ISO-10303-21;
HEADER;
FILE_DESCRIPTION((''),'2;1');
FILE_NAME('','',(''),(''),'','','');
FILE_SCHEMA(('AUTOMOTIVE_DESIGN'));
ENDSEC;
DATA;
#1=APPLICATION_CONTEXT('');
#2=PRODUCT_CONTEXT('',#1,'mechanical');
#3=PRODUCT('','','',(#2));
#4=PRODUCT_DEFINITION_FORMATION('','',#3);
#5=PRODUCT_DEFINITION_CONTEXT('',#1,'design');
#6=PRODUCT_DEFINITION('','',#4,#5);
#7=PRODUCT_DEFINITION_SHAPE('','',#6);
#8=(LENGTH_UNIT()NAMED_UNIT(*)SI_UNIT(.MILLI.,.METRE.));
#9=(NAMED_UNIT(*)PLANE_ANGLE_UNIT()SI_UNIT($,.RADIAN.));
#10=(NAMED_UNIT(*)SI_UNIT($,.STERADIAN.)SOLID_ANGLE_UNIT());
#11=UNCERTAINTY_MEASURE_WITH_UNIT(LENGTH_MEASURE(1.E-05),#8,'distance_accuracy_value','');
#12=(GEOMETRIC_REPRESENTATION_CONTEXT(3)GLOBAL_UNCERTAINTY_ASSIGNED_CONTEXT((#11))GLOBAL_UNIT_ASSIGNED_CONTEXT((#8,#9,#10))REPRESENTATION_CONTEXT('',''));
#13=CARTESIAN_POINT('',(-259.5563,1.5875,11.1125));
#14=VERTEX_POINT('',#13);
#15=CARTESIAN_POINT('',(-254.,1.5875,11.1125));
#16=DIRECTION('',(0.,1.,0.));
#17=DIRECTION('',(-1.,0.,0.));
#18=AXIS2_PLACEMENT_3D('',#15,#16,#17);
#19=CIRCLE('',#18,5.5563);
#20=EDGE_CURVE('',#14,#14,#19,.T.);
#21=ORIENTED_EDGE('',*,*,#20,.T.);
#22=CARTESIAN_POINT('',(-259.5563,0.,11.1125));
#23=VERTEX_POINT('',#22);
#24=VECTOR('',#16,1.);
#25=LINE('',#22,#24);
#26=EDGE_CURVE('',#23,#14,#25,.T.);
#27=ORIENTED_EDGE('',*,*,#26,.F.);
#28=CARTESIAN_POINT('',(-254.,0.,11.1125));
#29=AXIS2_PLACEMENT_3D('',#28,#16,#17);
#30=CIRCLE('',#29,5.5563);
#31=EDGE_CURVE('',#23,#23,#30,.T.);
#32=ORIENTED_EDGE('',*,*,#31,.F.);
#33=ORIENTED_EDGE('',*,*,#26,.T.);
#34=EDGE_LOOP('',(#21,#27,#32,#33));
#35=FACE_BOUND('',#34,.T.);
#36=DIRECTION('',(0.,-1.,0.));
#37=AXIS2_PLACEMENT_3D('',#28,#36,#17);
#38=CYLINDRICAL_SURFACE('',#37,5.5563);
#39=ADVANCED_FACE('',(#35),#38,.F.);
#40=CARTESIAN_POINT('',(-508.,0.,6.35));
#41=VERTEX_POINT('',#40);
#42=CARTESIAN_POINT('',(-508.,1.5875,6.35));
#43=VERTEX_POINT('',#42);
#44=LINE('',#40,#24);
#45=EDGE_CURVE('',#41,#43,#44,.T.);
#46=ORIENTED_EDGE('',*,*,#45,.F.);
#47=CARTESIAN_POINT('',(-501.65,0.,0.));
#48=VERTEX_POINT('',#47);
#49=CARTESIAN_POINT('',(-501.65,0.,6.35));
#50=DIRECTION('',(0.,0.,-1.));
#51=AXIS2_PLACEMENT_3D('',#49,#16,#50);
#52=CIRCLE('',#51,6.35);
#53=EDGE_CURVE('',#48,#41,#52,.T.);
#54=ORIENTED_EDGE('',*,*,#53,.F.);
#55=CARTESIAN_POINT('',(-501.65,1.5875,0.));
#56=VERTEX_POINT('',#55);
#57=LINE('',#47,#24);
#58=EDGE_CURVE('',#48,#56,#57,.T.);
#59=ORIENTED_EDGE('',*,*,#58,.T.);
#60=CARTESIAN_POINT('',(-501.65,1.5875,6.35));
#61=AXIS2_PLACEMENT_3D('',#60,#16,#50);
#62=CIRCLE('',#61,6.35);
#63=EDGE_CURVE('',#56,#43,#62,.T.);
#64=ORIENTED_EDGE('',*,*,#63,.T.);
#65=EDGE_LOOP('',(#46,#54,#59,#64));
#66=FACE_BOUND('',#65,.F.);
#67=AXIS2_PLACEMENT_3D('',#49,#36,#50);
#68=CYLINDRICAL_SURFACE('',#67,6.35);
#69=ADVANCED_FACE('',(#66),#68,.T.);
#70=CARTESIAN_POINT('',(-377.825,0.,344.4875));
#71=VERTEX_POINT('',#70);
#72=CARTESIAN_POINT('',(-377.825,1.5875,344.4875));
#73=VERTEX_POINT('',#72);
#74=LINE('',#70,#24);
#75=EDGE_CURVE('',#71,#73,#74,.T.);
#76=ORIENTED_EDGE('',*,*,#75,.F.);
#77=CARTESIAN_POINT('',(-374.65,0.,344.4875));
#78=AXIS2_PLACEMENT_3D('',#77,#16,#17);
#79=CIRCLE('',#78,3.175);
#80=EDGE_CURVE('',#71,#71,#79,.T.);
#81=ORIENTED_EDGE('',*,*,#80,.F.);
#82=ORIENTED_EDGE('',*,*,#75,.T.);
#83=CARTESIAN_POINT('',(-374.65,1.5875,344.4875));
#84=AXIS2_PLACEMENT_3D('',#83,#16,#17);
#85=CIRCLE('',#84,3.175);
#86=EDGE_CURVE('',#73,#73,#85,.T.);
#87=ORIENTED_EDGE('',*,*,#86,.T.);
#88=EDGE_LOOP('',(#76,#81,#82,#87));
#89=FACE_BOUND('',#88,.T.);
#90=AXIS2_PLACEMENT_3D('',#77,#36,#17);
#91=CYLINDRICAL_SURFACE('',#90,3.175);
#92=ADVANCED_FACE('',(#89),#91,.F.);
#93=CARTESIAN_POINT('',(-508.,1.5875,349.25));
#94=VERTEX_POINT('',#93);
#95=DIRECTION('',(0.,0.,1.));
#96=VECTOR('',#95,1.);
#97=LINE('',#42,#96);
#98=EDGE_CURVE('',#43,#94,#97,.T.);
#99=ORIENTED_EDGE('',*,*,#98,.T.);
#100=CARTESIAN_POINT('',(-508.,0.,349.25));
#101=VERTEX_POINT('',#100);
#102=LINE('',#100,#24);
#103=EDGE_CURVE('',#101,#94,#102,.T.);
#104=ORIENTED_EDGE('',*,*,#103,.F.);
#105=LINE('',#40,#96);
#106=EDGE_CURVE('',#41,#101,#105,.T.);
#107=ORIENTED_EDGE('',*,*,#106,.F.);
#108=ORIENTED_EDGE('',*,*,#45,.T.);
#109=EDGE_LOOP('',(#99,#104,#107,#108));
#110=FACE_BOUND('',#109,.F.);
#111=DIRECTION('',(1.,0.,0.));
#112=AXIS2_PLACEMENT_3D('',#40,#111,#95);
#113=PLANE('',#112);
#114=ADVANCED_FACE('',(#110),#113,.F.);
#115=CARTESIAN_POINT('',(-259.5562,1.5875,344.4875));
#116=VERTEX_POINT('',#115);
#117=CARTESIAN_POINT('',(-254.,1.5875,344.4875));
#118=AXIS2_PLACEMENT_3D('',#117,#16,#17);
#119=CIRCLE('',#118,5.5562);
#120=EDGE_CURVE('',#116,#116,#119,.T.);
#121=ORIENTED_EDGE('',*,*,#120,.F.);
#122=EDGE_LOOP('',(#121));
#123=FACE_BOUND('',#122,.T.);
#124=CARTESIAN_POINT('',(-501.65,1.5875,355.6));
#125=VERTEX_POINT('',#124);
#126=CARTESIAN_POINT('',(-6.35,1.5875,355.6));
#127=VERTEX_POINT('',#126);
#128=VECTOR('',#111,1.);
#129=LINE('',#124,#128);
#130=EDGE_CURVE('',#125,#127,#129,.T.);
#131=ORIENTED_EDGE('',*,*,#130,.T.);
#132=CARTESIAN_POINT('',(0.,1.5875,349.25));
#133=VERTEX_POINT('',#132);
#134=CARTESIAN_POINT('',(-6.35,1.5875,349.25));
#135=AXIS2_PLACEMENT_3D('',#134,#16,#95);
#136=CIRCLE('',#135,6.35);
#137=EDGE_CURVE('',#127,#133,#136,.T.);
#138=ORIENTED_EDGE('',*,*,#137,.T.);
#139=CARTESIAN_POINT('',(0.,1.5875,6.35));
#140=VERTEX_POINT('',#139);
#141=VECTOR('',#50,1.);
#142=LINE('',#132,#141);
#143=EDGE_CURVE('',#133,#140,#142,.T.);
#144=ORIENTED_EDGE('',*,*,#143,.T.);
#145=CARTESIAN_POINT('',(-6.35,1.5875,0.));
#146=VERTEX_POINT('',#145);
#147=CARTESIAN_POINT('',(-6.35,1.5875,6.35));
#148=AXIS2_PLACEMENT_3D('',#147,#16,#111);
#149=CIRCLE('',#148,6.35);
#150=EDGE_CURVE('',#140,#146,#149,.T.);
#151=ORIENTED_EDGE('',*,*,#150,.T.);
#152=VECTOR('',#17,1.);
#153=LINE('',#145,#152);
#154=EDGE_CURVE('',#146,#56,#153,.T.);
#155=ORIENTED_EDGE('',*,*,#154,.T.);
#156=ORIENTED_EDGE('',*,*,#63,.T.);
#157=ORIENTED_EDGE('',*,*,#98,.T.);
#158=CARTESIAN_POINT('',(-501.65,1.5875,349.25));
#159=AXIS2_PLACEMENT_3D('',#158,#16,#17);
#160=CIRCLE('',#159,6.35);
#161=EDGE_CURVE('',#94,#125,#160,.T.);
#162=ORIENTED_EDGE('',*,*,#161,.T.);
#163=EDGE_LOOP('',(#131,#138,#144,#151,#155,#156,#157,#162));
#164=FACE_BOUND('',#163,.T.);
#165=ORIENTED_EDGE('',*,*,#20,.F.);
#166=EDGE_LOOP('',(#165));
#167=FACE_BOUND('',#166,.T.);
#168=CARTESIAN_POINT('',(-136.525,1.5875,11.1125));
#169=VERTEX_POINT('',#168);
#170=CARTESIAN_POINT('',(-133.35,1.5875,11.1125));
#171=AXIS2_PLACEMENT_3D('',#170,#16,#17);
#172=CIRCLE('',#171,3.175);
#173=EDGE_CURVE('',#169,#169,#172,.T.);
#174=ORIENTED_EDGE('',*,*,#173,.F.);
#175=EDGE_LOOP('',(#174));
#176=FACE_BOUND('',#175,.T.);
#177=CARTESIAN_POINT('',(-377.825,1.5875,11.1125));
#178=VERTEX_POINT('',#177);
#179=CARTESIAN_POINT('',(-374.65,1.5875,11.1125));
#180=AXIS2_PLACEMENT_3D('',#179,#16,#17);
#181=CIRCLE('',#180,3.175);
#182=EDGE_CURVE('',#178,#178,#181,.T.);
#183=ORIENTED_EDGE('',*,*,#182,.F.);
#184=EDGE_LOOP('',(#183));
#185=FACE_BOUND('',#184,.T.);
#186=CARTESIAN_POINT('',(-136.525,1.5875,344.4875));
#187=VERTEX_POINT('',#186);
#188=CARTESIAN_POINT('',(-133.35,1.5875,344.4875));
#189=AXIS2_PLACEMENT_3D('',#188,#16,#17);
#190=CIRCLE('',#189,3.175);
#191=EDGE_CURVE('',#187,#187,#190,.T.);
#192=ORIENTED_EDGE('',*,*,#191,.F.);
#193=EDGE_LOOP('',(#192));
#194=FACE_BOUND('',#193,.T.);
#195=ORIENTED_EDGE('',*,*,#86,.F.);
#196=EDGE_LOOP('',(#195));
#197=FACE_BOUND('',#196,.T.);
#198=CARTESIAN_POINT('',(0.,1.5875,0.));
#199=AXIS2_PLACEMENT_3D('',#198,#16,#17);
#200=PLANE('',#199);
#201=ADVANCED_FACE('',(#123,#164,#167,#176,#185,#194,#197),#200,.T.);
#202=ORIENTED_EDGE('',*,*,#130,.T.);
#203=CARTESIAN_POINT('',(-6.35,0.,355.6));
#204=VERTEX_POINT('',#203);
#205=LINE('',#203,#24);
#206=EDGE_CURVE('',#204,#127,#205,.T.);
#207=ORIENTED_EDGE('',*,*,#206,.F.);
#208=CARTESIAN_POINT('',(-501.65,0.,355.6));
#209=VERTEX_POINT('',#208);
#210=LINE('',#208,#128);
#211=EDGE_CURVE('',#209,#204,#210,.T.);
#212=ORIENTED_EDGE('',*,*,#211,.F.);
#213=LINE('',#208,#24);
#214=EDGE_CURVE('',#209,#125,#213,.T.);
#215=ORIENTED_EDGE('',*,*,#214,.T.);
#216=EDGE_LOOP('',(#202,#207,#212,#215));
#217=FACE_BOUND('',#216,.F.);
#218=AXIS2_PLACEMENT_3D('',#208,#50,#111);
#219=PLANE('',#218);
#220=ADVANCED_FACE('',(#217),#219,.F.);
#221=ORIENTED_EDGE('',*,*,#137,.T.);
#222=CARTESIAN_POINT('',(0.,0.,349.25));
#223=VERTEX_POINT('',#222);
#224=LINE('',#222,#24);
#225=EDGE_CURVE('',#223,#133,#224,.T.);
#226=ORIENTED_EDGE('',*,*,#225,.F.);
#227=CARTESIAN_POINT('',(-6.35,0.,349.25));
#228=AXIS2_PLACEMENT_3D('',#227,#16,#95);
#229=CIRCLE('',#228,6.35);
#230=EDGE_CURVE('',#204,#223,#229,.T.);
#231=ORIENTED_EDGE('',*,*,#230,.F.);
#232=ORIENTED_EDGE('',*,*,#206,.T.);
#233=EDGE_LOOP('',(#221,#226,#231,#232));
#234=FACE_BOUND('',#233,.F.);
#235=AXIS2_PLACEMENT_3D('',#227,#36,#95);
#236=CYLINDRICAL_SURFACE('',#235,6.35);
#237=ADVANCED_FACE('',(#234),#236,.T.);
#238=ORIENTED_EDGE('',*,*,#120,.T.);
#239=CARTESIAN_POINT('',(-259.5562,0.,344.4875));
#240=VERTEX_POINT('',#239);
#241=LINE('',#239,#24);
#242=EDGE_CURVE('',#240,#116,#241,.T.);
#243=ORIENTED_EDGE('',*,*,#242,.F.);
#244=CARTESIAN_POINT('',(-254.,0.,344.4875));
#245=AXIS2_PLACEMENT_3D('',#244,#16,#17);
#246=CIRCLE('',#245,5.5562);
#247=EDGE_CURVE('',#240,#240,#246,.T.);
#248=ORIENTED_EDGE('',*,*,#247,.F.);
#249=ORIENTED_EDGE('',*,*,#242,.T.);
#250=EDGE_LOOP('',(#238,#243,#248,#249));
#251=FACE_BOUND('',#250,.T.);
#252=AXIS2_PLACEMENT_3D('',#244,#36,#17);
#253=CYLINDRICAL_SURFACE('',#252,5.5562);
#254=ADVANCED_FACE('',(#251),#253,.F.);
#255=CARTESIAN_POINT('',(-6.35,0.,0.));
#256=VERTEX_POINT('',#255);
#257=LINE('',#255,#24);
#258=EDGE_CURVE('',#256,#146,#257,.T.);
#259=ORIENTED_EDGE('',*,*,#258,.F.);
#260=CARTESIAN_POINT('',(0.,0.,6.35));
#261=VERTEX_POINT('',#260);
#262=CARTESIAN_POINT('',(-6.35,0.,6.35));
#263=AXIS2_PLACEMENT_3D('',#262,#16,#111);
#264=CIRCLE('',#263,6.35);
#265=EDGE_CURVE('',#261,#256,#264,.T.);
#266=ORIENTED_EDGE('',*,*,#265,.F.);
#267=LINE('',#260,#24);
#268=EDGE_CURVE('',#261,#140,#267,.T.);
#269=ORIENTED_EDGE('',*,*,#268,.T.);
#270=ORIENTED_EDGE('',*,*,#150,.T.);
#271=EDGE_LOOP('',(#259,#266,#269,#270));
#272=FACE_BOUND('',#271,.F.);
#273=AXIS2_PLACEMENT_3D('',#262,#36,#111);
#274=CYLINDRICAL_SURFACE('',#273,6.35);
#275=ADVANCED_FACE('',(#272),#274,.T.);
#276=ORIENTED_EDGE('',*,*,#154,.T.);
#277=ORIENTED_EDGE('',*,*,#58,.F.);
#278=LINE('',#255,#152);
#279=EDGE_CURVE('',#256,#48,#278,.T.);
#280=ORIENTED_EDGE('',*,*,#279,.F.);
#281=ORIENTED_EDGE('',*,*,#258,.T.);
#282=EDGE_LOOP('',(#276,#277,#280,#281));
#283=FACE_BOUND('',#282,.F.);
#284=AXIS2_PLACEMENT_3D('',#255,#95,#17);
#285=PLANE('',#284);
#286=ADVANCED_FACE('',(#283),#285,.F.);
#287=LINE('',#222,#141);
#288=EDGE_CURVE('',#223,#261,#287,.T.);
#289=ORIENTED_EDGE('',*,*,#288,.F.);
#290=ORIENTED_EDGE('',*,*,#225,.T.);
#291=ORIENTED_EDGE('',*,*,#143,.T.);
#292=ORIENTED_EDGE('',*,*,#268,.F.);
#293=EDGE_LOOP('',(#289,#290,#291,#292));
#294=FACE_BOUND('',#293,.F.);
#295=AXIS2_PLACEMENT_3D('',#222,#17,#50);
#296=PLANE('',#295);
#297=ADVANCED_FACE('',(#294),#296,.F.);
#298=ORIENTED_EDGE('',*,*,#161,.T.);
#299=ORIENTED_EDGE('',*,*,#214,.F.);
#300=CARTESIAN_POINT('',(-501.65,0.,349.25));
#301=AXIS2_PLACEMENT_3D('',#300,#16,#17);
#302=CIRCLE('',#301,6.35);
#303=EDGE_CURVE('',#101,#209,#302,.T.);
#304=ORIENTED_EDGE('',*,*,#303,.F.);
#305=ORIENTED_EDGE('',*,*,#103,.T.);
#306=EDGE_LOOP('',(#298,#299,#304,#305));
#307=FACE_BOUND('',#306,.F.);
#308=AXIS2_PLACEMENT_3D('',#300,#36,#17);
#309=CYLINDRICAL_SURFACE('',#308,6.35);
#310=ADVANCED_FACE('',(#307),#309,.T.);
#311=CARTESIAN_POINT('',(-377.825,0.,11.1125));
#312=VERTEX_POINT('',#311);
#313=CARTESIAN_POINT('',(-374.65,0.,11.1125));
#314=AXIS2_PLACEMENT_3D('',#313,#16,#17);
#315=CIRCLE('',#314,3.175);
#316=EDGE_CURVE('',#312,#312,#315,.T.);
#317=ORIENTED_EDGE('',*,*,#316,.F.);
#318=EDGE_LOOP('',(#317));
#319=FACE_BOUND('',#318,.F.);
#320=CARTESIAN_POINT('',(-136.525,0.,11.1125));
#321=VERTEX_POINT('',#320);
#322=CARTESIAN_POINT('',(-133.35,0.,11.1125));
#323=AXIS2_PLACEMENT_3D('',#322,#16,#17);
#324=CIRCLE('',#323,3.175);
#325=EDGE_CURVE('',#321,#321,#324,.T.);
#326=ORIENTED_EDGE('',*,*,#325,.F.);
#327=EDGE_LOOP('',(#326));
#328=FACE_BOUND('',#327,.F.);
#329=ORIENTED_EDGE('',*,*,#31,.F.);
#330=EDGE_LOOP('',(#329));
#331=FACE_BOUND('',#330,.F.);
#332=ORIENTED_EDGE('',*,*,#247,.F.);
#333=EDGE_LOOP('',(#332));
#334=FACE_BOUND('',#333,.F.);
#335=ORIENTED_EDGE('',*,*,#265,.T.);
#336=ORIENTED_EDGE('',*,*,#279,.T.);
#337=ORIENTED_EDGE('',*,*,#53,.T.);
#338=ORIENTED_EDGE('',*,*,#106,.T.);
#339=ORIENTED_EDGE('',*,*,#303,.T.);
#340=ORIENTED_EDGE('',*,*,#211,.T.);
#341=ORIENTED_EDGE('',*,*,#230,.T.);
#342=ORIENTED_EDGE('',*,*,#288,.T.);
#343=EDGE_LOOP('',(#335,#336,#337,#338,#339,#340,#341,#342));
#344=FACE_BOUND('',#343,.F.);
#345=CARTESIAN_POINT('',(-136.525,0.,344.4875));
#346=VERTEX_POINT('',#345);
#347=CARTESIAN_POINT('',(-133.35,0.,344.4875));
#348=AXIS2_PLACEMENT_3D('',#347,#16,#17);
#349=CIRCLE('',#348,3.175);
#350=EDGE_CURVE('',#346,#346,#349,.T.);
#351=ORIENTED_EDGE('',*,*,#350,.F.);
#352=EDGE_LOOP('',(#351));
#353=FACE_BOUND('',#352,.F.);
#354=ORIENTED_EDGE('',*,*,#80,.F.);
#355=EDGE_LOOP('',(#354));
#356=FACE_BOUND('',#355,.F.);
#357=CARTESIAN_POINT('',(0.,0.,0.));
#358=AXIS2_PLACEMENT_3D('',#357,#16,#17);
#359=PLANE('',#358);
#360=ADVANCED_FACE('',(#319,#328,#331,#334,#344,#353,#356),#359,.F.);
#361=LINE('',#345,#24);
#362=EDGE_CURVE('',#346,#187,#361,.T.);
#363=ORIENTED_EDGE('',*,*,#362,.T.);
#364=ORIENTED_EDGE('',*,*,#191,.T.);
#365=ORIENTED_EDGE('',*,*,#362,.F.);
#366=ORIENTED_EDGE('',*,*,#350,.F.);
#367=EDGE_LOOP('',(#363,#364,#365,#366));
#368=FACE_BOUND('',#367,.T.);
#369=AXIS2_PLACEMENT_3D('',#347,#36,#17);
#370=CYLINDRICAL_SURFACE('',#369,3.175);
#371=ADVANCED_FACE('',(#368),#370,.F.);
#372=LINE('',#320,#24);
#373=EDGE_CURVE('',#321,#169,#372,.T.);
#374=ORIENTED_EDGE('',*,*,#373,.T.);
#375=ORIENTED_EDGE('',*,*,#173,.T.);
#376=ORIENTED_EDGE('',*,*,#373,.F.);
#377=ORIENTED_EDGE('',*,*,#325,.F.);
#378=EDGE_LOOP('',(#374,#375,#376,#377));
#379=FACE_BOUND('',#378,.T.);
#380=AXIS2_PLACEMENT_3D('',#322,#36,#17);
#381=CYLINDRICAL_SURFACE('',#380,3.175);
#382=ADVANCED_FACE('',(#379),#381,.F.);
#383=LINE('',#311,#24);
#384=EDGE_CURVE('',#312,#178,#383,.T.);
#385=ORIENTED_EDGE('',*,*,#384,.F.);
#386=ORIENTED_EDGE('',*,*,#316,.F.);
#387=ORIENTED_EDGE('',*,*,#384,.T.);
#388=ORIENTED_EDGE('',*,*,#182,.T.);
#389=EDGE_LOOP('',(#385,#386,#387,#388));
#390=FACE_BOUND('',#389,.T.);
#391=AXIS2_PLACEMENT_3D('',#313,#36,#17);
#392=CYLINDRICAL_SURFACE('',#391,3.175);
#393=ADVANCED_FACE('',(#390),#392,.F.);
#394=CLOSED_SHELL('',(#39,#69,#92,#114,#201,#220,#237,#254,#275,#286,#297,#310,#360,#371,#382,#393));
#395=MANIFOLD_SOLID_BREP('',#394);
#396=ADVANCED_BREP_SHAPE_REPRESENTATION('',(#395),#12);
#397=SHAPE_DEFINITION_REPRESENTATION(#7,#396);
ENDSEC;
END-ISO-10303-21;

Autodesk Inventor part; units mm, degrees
ref_plane "YZ Plane" through (0, 0, 0) normal (1, 0, 0) x (0, 1, 0)
ref_plane "XZ Plane" through (0, 0, 0) normal (0, 1, 0) x (-1, 0, 0)
ref_plane "XY Plane" through (0, 0, 0) normal (0, 0, 1) x (1, 0, 0)
sketch "Sketch1" plane through (0, 0, 0) normal (0, 1, 0) x (-1, 0, 0)
  line L0 (6.35, 0) -> (501.65, 0)
  line L1 (508, 6.35) -> (508, 349.25)
  line L2 (501.65, 355.6) -> (6.35, 355.6)
  line L3 (0, 349.25) -> (0, 6.35)
  line L4 (374.65, 344.4875) -> (133.35, 344.4875) construction
  line L5 (133.35, 344.4875) -> (133.35, 11.1125) construction
  line L6 (133.35, 11.1125) -> (374.65, 11.1125) construction
  line L7 (374.65, 11.1125) -> (374.65, 344.4875) construction
  line L8 (254, 344.4875) -> (254, 11.1125) construction
  line L9 (374.65, 344.4875) -> (508, 344.4875) construction
  line L10 (374.65, 344.4875) -> (374.65, 355.6) construction
  line L11 (133.35, 11.1125) -> (0, 11.1125) construction
  line L12 (133.35, 11.1125) -> (133.35, 0) construction
  circle A0 centre (374.65, 344.4875) radius 3.175
  circle A1 centre (374.65, 11.1125) radius 3.175
  circle A2 centre (133.35, 11.1125) radius 3.175
  circle A3 centre (133.35, 344.4875) radius 3.175
  circle A4 centre (254, 344.4875) radius 5.5562
  circle A5 centre (254, 11.1125) radius 5.5563
  arc A6 (508, 349.25) -> (501.65, 355.6) centre (501.65, 349.25) ccw
  arc A7 (501.65, 0) -> (508, 6.35) centre (501.65, 6.35) ccw
  arc A8 (0, 6.35) -> (6.35, 0) centre (6.35, 6.35) ccw
  arc A9 (6.35, 355.6) -> (0, 349.25) centre (6.35, 349.25) ccw
  point P0 (0, 0)
  point P1 (508, 355.6)
  point P2 (508, 0)
  point P3 (0, 355.6)
  dimension "d0" = 508
  dimension "d1" = 355.6
  dimension "d2" = 333.375
  dimension "d3" = 241.3
  dimension "d4" = 6.35
  dimension "d5" = 6.35
  dimension "d6" = 6.35
  dimension "d7" = 6.35
  dimension "d8" = 11.1125
  dimension "d9" = 11.1125
  dimension "d10" = 6.35
extrude "Extrusion1" add sketch "Sketch1" along normal blind 1.5875
equation "\"d5\" = d4"
equation "\"d6\" = d4"
equation "\"d7\" = d4"
equation "\"d9\" = d8"
properties part number "14x20 ATNT Sign"
